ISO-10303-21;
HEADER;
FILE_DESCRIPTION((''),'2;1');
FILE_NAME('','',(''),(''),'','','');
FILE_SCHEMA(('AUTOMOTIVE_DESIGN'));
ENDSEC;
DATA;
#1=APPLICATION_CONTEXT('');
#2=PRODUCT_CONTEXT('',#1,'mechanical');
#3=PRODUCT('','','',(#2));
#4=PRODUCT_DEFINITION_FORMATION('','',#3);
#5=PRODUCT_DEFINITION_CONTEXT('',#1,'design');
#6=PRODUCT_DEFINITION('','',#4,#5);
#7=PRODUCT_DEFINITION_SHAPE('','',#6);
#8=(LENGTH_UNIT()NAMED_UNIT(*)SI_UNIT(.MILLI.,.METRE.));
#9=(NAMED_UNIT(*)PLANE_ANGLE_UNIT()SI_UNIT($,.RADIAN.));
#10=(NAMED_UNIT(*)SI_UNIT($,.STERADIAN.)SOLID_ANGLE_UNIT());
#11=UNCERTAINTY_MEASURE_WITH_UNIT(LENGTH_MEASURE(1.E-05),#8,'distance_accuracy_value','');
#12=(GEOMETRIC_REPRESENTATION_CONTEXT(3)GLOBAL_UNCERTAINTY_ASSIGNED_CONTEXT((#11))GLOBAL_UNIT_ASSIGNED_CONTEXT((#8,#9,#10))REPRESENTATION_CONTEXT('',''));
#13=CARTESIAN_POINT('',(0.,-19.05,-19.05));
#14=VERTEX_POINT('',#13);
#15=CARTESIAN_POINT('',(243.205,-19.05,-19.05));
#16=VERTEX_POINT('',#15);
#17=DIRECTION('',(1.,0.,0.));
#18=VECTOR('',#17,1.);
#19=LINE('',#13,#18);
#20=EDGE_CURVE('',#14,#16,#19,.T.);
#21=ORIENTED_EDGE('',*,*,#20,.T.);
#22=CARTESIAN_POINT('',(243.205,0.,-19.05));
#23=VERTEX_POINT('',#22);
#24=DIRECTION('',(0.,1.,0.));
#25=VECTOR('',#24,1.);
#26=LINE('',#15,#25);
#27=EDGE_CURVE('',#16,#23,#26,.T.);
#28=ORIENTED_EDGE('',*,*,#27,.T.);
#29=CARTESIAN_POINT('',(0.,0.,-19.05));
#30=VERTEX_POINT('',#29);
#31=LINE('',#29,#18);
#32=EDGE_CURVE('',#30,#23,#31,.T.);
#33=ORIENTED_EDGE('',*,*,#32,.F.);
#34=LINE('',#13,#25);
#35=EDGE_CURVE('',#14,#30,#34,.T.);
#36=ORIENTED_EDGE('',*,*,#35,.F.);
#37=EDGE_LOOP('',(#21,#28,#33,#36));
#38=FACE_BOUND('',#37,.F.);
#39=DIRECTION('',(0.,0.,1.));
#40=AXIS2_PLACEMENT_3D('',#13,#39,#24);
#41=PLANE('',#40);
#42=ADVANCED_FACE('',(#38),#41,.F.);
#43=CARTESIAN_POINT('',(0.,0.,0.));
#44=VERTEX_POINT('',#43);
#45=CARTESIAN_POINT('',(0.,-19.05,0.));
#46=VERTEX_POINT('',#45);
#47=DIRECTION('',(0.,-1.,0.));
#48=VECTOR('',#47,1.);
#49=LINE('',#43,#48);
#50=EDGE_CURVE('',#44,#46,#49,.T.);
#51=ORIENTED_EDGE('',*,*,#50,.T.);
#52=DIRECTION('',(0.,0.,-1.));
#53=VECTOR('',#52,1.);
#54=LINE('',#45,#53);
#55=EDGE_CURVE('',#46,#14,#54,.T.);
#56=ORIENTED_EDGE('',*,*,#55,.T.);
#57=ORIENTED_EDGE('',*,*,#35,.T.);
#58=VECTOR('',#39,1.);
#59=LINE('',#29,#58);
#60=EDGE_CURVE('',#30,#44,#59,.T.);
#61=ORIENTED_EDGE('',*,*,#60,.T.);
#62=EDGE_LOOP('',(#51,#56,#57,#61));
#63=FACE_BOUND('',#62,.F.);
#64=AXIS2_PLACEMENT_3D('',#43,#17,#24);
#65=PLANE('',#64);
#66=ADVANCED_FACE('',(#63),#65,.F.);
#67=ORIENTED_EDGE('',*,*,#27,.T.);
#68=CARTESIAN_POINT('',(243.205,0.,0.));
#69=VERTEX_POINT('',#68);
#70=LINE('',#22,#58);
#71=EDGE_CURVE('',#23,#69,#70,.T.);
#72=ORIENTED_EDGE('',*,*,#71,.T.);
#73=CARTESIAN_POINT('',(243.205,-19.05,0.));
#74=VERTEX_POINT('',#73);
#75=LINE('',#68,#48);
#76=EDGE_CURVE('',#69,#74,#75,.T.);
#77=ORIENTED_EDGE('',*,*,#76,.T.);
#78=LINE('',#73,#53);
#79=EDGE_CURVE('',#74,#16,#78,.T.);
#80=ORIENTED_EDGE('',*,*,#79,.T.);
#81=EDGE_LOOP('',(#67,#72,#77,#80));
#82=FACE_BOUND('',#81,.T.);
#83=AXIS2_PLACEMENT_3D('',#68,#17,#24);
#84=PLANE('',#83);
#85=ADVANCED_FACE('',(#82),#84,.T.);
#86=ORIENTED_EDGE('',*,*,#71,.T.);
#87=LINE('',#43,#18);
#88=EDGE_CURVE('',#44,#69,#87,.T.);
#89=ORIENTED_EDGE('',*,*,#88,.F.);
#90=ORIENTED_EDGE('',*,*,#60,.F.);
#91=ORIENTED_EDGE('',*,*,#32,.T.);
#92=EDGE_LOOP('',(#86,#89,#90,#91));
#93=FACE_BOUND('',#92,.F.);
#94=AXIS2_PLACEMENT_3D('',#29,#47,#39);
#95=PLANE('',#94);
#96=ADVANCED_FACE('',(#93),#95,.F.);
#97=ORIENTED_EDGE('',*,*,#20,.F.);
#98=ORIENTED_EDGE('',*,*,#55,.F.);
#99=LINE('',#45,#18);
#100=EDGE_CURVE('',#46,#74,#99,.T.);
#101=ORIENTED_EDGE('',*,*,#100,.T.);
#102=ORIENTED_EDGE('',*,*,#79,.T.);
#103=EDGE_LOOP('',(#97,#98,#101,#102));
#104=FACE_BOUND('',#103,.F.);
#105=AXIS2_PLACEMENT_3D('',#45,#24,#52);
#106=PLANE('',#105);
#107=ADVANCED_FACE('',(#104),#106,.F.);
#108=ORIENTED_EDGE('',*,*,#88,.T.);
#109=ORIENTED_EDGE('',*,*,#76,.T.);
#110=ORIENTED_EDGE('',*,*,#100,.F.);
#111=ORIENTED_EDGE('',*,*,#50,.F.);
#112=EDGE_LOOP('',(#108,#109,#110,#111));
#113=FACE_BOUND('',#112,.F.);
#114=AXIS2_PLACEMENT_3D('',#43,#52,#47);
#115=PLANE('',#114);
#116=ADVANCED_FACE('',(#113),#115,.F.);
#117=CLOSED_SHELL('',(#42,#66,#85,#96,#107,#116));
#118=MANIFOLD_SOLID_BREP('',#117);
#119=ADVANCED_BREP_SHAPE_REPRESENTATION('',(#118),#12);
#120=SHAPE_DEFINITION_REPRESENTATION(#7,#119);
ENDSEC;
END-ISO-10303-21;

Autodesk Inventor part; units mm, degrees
ref_plane "YZ Plane" through (0, 0, 0) normal (1, 0, 0) x (0, 1, 0)
ref_plane "XZ Plane" through (0, 0, 0) normal (0, 1, 0) x (-1, 0, 0)
ref_plane "XY Plane" through (0, 0, 0) normal (0, 0, 1) x (1, 0, 0)
sketch "Sketch1" plane through (0, 0, 0) normal (1, 0, 0) x (0, 1, 0)
  line L0 (0, 0) -> (-19.05, 0)
  line L1 (-19.05, 0) -> (-19.05, -19.05)
  line L2 (-19.05, -19.05) -> (0, -19.05)
  line L3 (0, -19.05) -> (0, 0)
  dimension "d0" = 19.05
  dimension "d1" = 19.05
extrude "Extrusion1" add sketch "Sketch1" along normal blind 243.205
properties part number "Transverse"
